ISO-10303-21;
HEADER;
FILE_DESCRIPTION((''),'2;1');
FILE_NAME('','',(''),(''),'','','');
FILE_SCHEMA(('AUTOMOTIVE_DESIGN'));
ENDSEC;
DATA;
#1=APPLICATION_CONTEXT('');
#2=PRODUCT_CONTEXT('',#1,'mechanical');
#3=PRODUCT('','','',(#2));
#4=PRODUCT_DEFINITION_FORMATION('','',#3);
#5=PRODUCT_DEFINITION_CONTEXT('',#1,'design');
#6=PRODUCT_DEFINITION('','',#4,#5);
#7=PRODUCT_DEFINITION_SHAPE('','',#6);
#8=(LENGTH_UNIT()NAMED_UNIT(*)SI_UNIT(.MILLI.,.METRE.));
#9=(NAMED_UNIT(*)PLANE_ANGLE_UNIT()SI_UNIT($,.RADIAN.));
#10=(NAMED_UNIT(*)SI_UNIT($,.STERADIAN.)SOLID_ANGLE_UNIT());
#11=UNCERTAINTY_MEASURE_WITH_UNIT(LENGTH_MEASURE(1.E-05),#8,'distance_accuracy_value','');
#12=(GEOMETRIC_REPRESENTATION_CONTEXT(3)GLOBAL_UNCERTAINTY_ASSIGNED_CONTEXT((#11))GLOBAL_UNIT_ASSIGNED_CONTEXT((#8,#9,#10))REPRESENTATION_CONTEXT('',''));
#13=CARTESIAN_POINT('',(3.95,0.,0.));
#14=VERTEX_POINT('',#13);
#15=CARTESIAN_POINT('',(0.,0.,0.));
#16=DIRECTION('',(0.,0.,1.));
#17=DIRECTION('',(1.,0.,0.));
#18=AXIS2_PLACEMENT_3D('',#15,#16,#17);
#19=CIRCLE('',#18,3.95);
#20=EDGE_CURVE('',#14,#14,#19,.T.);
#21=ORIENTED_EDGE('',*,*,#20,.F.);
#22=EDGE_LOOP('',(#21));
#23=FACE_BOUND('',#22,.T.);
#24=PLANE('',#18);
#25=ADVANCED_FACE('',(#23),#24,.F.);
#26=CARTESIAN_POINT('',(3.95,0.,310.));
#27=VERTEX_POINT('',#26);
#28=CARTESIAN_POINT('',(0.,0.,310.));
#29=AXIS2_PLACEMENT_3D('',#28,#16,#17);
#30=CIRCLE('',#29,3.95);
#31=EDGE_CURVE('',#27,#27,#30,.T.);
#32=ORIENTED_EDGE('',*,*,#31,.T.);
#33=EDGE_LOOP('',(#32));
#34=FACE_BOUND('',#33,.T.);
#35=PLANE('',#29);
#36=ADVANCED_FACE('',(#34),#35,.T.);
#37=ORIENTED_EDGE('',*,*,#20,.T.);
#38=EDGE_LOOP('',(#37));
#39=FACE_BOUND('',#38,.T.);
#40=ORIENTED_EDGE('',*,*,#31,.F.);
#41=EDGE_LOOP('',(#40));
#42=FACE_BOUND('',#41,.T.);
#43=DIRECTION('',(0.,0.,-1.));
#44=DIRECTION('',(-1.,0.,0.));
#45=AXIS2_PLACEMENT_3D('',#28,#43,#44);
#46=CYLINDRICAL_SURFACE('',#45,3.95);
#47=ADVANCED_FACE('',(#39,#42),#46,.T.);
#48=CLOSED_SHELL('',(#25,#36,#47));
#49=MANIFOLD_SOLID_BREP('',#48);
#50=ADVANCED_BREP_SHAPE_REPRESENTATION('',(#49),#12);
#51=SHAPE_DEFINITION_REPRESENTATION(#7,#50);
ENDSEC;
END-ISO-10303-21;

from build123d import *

# Parameters (mm, degrees)
SKETCH1_R           = 3.95
BOSS_EXTRUDE1_DEPTH = 310


with BuildPart() as part:
    # Sketch1 → Boss-Extrude1 (new body)
    with BuildSketch(Plane.XY):
        Circle(SKETCH1_R)
    extrude(amount=BOSS_EXTRUDE1_DEPTH)


solid = part.part
